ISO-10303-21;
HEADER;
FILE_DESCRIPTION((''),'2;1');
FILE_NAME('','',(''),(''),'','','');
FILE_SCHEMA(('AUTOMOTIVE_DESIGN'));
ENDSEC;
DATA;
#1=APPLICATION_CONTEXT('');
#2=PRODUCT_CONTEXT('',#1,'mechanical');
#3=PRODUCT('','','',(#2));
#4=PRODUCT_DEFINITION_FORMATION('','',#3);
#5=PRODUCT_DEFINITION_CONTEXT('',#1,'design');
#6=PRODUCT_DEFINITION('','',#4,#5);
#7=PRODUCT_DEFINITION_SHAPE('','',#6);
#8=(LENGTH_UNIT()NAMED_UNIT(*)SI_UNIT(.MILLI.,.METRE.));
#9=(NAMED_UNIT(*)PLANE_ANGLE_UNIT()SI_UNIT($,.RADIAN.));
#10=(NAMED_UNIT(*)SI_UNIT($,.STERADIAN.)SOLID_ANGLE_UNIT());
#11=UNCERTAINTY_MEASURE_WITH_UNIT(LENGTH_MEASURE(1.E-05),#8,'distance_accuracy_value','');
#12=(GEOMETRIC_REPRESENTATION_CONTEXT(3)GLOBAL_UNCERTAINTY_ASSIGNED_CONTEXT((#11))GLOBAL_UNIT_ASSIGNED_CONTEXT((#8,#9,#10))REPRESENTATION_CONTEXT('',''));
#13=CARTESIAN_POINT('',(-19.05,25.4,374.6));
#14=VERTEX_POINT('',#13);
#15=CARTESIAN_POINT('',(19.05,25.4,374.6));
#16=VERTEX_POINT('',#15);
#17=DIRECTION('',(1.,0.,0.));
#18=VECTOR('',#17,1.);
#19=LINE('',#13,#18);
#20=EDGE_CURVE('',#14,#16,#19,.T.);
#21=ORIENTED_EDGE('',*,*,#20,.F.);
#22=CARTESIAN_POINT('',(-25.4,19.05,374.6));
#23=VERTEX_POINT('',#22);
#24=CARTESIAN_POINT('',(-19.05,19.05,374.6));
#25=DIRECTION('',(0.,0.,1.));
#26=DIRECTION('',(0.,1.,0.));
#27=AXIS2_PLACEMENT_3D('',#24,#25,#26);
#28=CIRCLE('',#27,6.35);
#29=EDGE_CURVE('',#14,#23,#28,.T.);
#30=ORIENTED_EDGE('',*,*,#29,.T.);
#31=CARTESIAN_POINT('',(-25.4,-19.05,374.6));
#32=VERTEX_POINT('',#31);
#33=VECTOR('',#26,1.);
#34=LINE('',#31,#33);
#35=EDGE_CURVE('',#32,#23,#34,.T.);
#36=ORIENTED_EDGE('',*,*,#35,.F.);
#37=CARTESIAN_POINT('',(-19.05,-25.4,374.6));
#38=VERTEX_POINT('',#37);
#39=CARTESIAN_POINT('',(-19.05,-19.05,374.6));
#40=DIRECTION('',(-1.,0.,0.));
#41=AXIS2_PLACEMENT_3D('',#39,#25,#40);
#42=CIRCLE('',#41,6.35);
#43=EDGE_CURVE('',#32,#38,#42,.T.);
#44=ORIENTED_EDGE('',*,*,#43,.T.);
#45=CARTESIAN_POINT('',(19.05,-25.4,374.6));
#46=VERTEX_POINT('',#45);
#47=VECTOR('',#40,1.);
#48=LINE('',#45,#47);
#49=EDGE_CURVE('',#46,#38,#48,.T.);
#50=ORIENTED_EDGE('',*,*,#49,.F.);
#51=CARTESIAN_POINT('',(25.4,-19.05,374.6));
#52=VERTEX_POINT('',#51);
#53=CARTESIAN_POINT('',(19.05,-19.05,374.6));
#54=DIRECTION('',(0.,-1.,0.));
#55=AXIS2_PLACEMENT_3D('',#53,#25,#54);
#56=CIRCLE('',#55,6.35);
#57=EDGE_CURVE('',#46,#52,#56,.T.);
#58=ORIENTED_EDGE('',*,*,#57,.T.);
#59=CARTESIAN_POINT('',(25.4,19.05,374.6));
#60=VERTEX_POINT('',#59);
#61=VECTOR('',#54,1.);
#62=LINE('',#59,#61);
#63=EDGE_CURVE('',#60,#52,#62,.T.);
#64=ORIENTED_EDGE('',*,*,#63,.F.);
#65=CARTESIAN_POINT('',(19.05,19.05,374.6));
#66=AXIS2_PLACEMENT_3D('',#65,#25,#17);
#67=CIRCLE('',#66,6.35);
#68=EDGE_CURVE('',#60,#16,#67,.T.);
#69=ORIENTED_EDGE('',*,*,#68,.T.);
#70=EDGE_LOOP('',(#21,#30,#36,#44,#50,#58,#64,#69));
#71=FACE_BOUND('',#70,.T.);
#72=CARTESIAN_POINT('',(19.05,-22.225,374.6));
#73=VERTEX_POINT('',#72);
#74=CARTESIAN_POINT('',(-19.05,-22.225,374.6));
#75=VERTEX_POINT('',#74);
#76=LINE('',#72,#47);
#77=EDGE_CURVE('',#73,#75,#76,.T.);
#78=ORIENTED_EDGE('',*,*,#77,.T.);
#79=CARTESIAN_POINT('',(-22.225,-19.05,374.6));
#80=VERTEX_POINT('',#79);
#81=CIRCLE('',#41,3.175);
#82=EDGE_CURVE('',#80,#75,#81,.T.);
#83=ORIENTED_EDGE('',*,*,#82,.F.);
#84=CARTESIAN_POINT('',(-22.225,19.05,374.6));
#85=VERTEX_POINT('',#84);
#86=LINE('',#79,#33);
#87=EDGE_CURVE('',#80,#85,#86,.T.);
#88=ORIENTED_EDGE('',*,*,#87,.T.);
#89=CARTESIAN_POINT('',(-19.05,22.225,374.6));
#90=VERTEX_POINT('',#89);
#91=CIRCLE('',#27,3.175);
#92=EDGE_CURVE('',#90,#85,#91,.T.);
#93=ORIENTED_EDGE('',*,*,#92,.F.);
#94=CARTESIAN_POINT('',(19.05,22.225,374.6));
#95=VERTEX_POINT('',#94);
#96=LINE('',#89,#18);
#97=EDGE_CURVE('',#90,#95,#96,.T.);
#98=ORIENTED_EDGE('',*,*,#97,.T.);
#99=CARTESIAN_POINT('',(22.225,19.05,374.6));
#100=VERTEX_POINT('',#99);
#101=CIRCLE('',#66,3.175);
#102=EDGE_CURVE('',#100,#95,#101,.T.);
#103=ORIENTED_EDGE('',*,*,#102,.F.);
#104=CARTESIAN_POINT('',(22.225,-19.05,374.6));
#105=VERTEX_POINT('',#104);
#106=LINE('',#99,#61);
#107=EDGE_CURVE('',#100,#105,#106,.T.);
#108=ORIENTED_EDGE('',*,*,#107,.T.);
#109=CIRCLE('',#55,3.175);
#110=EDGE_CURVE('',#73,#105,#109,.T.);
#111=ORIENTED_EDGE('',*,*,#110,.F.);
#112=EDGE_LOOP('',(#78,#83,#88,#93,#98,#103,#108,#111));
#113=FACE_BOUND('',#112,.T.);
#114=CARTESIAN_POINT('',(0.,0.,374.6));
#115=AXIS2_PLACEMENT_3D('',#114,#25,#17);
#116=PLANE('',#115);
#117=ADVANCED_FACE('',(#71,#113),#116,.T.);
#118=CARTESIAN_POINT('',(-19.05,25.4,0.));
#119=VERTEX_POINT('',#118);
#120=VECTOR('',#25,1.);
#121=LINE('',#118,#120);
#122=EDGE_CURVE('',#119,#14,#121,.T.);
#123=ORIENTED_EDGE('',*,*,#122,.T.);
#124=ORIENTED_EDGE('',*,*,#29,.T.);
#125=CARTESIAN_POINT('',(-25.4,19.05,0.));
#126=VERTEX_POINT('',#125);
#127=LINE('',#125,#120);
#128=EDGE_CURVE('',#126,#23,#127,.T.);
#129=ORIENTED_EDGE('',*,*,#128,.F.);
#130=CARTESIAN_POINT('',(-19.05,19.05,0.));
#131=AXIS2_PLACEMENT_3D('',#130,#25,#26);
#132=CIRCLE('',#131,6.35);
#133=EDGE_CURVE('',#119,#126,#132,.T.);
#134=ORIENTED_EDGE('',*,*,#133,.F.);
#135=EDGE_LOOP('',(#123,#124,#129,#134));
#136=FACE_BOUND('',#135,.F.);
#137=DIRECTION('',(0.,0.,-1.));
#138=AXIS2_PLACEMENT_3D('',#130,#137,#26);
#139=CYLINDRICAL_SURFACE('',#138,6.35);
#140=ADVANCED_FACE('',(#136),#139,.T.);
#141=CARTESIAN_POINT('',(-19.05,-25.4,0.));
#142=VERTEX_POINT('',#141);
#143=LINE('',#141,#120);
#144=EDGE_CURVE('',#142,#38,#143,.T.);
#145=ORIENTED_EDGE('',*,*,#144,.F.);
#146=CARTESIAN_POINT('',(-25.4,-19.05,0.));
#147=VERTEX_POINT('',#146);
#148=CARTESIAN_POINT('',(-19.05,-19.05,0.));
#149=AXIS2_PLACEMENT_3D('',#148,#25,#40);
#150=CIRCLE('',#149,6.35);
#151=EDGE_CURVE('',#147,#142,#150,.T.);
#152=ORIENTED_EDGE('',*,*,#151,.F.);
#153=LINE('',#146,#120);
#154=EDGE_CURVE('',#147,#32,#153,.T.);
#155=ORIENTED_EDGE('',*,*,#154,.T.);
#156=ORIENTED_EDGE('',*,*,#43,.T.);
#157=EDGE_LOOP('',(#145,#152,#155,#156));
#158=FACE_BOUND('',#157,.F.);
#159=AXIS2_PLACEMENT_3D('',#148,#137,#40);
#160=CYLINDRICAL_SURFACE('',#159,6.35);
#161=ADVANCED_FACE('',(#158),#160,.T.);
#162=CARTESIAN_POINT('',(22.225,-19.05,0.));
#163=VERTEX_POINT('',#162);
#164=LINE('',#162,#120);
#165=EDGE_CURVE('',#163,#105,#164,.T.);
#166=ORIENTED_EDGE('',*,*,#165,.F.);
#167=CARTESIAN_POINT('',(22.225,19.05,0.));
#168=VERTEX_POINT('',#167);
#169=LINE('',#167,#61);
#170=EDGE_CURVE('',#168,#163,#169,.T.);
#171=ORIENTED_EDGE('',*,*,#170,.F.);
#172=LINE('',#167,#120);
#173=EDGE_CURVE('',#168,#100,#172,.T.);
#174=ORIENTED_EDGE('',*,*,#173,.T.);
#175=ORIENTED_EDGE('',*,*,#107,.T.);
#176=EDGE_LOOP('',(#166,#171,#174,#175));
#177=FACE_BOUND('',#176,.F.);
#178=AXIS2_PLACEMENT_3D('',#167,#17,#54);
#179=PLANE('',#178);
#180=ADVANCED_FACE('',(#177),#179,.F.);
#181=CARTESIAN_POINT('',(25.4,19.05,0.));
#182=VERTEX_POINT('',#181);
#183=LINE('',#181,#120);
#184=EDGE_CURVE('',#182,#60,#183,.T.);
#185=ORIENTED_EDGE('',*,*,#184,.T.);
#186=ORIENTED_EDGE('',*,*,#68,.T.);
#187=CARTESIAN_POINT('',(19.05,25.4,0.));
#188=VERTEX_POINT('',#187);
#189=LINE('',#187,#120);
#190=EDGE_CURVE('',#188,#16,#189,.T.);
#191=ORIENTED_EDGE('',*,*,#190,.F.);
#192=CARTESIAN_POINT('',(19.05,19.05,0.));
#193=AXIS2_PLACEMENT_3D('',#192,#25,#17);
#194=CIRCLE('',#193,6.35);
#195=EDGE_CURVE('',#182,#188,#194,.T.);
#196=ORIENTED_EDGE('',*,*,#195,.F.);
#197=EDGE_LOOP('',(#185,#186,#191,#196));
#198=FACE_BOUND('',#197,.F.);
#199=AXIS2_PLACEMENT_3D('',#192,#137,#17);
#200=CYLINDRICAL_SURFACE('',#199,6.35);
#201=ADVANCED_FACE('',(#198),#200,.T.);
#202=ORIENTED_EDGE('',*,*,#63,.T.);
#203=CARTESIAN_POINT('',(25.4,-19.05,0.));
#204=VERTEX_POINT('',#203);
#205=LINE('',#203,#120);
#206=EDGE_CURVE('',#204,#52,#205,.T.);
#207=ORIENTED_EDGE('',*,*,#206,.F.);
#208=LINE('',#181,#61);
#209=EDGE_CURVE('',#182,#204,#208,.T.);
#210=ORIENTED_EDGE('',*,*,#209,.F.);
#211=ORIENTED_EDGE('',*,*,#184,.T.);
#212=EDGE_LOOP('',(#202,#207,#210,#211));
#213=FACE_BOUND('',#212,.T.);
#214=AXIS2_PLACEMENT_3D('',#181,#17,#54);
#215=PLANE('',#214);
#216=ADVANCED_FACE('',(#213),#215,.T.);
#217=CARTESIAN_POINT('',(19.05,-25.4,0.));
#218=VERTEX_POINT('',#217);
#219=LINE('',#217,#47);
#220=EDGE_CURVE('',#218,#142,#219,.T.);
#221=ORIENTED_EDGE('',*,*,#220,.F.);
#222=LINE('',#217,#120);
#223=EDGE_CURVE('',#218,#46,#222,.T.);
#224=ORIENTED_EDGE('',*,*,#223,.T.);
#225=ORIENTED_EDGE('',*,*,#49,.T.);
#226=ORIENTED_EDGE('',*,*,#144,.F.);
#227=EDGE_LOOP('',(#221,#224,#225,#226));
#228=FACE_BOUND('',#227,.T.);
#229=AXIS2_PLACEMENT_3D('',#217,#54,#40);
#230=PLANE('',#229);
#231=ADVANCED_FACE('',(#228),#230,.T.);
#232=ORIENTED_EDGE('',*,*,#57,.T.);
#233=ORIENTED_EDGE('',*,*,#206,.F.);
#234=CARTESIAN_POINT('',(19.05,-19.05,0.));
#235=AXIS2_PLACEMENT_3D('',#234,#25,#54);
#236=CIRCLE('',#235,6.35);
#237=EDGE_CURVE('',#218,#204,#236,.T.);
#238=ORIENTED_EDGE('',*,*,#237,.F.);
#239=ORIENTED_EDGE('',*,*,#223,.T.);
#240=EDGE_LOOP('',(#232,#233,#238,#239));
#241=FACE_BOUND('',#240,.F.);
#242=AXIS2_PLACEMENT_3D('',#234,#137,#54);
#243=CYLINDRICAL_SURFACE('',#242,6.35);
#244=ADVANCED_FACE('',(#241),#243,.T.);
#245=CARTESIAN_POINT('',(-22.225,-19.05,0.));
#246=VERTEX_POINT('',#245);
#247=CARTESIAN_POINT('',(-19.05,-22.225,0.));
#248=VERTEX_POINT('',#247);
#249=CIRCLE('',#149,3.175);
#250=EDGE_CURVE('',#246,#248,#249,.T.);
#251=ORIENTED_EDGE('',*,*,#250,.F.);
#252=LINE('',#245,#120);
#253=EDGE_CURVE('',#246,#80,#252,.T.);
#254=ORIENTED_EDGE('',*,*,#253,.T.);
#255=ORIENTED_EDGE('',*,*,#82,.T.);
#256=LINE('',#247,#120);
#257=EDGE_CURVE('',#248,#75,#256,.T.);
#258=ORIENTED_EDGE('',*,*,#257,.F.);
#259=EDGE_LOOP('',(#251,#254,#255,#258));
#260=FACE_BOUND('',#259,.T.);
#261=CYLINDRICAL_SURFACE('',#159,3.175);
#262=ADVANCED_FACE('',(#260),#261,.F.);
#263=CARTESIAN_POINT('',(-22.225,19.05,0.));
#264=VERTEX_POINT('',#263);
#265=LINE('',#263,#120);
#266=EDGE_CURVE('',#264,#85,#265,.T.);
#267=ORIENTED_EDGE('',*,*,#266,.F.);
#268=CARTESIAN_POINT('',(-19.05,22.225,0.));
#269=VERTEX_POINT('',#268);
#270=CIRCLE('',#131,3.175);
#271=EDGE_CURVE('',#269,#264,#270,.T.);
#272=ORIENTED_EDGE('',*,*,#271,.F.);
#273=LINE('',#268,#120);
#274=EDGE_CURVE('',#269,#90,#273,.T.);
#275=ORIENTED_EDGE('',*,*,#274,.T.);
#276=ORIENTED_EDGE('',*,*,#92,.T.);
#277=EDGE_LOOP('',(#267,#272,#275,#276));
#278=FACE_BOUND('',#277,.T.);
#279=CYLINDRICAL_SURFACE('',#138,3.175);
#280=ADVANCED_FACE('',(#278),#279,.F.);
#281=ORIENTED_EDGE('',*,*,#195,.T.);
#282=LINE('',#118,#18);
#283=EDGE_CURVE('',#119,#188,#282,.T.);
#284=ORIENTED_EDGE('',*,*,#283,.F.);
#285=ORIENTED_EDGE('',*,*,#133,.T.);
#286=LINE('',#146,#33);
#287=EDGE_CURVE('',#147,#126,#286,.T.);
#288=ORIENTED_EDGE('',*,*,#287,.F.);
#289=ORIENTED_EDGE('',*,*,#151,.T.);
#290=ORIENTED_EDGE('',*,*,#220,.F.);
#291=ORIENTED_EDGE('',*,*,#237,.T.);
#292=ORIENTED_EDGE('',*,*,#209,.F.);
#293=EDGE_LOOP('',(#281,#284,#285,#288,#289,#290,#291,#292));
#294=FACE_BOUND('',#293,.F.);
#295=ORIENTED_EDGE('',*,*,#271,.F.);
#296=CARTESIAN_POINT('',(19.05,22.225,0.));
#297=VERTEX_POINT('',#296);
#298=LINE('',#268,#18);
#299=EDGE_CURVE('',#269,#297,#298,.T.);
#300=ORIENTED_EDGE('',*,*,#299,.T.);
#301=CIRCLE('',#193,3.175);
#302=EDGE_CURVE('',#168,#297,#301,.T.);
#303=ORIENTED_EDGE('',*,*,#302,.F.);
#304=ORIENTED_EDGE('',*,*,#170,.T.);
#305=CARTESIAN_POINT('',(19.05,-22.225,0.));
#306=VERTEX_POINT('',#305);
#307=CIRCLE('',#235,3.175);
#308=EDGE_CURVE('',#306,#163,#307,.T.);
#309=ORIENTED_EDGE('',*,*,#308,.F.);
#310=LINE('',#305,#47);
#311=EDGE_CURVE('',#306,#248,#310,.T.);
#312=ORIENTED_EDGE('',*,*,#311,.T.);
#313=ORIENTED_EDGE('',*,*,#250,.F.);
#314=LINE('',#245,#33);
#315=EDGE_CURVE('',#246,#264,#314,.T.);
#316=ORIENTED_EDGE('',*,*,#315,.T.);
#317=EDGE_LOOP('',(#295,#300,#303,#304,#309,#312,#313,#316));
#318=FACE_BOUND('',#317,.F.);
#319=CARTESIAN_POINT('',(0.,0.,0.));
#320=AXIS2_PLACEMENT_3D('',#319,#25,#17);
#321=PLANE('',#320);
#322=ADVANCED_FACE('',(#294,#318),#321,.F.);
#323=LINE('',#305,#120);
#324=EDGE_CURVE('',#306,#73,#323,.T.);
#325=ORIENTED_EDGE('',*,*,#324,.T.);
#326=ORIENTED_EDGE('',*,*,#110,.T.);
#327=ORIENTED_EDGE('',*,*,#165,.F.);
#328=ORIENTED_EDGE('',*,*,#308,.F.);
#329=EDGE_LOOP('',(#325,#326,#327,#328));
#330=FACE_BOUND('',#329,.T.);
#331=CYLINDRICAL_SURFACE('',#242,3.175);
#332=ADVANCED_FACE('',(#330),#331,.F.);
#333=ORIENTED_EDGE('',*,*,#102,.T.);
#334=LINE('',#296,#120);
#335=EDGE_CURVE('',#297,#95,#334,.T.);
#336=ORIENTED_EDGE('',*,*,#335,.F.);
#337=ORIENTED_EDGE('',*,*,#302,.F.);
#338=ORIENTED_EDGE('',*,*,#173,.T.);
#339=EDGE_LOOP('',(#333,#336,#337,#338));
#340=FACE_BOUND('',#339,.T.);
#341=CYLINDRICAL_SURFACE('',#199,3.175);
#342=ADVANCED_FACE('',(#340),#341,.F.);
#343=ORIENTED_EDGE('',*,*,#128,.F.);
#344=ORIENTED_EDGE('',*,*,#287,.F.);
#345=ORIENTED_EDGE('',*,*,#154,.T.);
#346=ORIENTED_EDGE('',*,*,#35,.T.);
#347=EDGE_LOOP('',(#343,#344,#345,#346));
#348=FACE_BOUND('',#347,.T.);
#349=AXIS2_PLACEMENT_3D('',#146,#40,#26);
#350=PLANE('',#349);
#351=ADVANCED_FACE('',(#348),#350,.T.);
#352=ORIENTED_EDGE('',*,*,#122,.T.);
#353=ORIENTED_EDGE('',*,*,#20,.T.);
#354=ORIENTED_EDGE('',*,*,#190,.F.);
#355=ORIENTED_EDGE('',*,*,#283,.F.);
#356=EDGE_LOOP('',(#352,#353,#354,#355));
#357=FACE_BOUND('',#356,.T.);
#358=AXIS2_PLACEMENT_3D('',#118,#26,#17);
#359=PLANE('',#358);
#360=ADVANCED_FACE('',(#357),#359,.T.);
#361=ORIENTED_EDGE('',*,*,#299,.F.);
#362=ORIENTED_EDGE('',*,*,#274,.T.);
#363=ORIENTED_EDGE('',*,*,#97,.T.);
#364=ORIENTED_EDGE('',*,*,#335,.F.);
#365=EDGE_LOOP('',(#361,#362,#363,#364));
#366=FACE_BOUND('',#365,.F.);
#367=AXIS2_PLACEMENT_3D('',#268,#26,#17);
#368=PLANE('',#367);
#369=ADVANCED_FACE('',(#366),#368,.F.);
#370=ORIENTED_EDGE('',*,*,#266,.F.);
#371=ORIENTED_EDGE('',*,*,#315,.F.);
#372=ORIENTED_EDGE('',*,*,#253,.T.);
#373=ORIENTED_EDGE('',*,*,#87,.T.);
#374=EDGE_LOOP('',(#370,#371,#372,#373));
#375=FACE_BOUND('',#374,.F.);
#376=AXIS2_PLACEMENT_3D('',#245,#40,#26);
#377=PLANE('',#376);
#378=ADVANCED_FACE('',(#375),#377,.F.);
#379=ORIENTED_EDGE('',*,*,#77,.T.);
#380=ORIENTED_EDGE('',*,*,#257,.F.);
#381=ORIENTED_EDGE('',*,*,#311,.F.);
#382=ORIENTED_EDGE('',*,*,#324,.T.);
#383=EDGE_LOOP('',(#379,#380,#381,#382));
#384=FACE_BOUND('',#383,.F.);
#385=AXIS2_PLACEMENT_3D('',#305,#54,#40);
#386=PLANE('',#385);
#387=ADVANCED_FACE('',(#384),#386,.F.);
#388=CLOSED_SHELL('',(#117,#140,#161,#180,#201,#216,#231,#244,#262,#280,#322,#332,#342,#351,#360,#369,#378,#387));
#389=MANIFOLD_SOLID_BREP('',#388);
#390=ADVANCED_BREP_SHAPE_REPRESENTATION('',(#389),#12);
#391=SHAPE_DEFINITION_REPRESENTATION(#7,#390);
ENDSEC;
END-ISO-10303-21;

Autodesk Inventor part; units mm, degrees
ref_plane "Plano inicial" through (0, 0, 0) normal (0, 0, 1) x (1, 0, 0)
ref_plane "Plano final" through (0, 0, 374.6) normal (0, 0, 1) x (1, 0, 0)
sketch "Boceto" plane through (0, 0, 0) normal (0, 0, 1) x (1, 0, 0)
  line L0 (-25.4, -19.05) -> (-25.4, 19.05)
  line L1 (-19.05, 25.4) -> (19.05, 25.4)
  line L2 (25.4, 19.05) -> (25.4, -19.05)
  line L3 (19.05, -25.4) -> (-19.05, -25.4)
  arc A0 (-25.4, -19.05) -> (-19.05, -25.4) centre (-19.05, -19.05) ccw
  arc A1 (-19.05, 25.4) -> (-25.4, 19.05) centre (-19.05, 19.05) ccw
  arc A2 (25.4, 19.05) -> (19.05, 25.4) centre (19.05, 19.05) ccw
  arc A3 (19.05, -25.4) -> (25.4, -19.05) centre (19.05, -19.05) ccw
  arc A4 (-19.05, 22.225) -> (-22.225, 19.05) centre (-19.05, 19.05) ccw
  line L4 (-19.05, 22.225) -> (19.05, 22.225)
  arc A5 (22.225, 19.05) -> (19.05, 22.225) centre (19.05, 19.05) ccw
  line L5 (22.225, 19.05) -> (22.225, -19.05)
  arc A6 (19.05, -22.225) -> (22.225, -19.05) centre (19.05, -19.05) ccw
  line L6 (19.05, -22.225) -> (-19.05, -22.225)
  arc A7 (-22.225, -19.05) -> (-19.05, -22.225) centre (-19.05, -19.05) ccw
  line L7 (-22.225, -19.05) -> (-22.225, 19.05)
  line L8 (0, 37.4012) -> (0, -37.4012) construction
  line L9 (-37.4012, 0) -> (37.4012, 0) construction
  dimension "d10" = 50.8
  dimension "d11" = 50.8
  dimension "d12" = 3.175
  dimension "d15" = 25.4
  dimension "d16" = 25.4
  dimension "d17" = 6.35
extrude "Cuerpo" add sketch "Boceto" along normal up to surface (374.6 mm away) from surface at 0
sketch "Sketch3" plane through (0, 0, 0) normal (0, 0, 1) x (1, 0, 0)
  line L0 (0, 0) -> (10, 0)
ref_plane "Work Plane3" through (0, 0, 0) normal (0, -1, 0) x (1, 0, 0)
ref_plane "Plano de trabajo4" through (19.05, 2090, 374.6) normal (0, 0, 1) x (1, 0, 0)
split "Dividir1" plane through (19.05, 2090, 374.6) removes the side toward (0, 0, 1)
sketch "Sketch4" plane through (0, 0, 0) normal (0, -1, 0) x (1, 0, 0)
  line L0 (-2, 0) -> (12, 0) projected
  line L1 (-2, 374.6) -> (12, 374.6) projected
  dimension "d19" = 374.6
equation "\"d10\" = G_H"
equation "\"d11\" = G_W"
equation "\"d12\" = G_T"
equation "\"d15\" = 0.5 * d10"
equation "\"d16\" = 0.5 * d11"
equation "\"d17\" = G_IR"
equation "\"d3\" = G_L"
equation "\"G_W\" = 50.8"
equation "\"G_H\" = 50.8"
equation "\"G_T\" = 3.175"
equation "\"G_IR\" = 6.35"
equation "\"G_L\" = d19"
equation "\"G_OFFSET_START\" = 0"
equation "\"G_OFFSET_END\" = -25.4"
equation "\"d14\" = G_OFFSET_END + B_L"
equation "\"B_L\" = 400"
properties part number "AISC - 2 x 2 x 1/8 - 14,748" material "Acero, suave"
